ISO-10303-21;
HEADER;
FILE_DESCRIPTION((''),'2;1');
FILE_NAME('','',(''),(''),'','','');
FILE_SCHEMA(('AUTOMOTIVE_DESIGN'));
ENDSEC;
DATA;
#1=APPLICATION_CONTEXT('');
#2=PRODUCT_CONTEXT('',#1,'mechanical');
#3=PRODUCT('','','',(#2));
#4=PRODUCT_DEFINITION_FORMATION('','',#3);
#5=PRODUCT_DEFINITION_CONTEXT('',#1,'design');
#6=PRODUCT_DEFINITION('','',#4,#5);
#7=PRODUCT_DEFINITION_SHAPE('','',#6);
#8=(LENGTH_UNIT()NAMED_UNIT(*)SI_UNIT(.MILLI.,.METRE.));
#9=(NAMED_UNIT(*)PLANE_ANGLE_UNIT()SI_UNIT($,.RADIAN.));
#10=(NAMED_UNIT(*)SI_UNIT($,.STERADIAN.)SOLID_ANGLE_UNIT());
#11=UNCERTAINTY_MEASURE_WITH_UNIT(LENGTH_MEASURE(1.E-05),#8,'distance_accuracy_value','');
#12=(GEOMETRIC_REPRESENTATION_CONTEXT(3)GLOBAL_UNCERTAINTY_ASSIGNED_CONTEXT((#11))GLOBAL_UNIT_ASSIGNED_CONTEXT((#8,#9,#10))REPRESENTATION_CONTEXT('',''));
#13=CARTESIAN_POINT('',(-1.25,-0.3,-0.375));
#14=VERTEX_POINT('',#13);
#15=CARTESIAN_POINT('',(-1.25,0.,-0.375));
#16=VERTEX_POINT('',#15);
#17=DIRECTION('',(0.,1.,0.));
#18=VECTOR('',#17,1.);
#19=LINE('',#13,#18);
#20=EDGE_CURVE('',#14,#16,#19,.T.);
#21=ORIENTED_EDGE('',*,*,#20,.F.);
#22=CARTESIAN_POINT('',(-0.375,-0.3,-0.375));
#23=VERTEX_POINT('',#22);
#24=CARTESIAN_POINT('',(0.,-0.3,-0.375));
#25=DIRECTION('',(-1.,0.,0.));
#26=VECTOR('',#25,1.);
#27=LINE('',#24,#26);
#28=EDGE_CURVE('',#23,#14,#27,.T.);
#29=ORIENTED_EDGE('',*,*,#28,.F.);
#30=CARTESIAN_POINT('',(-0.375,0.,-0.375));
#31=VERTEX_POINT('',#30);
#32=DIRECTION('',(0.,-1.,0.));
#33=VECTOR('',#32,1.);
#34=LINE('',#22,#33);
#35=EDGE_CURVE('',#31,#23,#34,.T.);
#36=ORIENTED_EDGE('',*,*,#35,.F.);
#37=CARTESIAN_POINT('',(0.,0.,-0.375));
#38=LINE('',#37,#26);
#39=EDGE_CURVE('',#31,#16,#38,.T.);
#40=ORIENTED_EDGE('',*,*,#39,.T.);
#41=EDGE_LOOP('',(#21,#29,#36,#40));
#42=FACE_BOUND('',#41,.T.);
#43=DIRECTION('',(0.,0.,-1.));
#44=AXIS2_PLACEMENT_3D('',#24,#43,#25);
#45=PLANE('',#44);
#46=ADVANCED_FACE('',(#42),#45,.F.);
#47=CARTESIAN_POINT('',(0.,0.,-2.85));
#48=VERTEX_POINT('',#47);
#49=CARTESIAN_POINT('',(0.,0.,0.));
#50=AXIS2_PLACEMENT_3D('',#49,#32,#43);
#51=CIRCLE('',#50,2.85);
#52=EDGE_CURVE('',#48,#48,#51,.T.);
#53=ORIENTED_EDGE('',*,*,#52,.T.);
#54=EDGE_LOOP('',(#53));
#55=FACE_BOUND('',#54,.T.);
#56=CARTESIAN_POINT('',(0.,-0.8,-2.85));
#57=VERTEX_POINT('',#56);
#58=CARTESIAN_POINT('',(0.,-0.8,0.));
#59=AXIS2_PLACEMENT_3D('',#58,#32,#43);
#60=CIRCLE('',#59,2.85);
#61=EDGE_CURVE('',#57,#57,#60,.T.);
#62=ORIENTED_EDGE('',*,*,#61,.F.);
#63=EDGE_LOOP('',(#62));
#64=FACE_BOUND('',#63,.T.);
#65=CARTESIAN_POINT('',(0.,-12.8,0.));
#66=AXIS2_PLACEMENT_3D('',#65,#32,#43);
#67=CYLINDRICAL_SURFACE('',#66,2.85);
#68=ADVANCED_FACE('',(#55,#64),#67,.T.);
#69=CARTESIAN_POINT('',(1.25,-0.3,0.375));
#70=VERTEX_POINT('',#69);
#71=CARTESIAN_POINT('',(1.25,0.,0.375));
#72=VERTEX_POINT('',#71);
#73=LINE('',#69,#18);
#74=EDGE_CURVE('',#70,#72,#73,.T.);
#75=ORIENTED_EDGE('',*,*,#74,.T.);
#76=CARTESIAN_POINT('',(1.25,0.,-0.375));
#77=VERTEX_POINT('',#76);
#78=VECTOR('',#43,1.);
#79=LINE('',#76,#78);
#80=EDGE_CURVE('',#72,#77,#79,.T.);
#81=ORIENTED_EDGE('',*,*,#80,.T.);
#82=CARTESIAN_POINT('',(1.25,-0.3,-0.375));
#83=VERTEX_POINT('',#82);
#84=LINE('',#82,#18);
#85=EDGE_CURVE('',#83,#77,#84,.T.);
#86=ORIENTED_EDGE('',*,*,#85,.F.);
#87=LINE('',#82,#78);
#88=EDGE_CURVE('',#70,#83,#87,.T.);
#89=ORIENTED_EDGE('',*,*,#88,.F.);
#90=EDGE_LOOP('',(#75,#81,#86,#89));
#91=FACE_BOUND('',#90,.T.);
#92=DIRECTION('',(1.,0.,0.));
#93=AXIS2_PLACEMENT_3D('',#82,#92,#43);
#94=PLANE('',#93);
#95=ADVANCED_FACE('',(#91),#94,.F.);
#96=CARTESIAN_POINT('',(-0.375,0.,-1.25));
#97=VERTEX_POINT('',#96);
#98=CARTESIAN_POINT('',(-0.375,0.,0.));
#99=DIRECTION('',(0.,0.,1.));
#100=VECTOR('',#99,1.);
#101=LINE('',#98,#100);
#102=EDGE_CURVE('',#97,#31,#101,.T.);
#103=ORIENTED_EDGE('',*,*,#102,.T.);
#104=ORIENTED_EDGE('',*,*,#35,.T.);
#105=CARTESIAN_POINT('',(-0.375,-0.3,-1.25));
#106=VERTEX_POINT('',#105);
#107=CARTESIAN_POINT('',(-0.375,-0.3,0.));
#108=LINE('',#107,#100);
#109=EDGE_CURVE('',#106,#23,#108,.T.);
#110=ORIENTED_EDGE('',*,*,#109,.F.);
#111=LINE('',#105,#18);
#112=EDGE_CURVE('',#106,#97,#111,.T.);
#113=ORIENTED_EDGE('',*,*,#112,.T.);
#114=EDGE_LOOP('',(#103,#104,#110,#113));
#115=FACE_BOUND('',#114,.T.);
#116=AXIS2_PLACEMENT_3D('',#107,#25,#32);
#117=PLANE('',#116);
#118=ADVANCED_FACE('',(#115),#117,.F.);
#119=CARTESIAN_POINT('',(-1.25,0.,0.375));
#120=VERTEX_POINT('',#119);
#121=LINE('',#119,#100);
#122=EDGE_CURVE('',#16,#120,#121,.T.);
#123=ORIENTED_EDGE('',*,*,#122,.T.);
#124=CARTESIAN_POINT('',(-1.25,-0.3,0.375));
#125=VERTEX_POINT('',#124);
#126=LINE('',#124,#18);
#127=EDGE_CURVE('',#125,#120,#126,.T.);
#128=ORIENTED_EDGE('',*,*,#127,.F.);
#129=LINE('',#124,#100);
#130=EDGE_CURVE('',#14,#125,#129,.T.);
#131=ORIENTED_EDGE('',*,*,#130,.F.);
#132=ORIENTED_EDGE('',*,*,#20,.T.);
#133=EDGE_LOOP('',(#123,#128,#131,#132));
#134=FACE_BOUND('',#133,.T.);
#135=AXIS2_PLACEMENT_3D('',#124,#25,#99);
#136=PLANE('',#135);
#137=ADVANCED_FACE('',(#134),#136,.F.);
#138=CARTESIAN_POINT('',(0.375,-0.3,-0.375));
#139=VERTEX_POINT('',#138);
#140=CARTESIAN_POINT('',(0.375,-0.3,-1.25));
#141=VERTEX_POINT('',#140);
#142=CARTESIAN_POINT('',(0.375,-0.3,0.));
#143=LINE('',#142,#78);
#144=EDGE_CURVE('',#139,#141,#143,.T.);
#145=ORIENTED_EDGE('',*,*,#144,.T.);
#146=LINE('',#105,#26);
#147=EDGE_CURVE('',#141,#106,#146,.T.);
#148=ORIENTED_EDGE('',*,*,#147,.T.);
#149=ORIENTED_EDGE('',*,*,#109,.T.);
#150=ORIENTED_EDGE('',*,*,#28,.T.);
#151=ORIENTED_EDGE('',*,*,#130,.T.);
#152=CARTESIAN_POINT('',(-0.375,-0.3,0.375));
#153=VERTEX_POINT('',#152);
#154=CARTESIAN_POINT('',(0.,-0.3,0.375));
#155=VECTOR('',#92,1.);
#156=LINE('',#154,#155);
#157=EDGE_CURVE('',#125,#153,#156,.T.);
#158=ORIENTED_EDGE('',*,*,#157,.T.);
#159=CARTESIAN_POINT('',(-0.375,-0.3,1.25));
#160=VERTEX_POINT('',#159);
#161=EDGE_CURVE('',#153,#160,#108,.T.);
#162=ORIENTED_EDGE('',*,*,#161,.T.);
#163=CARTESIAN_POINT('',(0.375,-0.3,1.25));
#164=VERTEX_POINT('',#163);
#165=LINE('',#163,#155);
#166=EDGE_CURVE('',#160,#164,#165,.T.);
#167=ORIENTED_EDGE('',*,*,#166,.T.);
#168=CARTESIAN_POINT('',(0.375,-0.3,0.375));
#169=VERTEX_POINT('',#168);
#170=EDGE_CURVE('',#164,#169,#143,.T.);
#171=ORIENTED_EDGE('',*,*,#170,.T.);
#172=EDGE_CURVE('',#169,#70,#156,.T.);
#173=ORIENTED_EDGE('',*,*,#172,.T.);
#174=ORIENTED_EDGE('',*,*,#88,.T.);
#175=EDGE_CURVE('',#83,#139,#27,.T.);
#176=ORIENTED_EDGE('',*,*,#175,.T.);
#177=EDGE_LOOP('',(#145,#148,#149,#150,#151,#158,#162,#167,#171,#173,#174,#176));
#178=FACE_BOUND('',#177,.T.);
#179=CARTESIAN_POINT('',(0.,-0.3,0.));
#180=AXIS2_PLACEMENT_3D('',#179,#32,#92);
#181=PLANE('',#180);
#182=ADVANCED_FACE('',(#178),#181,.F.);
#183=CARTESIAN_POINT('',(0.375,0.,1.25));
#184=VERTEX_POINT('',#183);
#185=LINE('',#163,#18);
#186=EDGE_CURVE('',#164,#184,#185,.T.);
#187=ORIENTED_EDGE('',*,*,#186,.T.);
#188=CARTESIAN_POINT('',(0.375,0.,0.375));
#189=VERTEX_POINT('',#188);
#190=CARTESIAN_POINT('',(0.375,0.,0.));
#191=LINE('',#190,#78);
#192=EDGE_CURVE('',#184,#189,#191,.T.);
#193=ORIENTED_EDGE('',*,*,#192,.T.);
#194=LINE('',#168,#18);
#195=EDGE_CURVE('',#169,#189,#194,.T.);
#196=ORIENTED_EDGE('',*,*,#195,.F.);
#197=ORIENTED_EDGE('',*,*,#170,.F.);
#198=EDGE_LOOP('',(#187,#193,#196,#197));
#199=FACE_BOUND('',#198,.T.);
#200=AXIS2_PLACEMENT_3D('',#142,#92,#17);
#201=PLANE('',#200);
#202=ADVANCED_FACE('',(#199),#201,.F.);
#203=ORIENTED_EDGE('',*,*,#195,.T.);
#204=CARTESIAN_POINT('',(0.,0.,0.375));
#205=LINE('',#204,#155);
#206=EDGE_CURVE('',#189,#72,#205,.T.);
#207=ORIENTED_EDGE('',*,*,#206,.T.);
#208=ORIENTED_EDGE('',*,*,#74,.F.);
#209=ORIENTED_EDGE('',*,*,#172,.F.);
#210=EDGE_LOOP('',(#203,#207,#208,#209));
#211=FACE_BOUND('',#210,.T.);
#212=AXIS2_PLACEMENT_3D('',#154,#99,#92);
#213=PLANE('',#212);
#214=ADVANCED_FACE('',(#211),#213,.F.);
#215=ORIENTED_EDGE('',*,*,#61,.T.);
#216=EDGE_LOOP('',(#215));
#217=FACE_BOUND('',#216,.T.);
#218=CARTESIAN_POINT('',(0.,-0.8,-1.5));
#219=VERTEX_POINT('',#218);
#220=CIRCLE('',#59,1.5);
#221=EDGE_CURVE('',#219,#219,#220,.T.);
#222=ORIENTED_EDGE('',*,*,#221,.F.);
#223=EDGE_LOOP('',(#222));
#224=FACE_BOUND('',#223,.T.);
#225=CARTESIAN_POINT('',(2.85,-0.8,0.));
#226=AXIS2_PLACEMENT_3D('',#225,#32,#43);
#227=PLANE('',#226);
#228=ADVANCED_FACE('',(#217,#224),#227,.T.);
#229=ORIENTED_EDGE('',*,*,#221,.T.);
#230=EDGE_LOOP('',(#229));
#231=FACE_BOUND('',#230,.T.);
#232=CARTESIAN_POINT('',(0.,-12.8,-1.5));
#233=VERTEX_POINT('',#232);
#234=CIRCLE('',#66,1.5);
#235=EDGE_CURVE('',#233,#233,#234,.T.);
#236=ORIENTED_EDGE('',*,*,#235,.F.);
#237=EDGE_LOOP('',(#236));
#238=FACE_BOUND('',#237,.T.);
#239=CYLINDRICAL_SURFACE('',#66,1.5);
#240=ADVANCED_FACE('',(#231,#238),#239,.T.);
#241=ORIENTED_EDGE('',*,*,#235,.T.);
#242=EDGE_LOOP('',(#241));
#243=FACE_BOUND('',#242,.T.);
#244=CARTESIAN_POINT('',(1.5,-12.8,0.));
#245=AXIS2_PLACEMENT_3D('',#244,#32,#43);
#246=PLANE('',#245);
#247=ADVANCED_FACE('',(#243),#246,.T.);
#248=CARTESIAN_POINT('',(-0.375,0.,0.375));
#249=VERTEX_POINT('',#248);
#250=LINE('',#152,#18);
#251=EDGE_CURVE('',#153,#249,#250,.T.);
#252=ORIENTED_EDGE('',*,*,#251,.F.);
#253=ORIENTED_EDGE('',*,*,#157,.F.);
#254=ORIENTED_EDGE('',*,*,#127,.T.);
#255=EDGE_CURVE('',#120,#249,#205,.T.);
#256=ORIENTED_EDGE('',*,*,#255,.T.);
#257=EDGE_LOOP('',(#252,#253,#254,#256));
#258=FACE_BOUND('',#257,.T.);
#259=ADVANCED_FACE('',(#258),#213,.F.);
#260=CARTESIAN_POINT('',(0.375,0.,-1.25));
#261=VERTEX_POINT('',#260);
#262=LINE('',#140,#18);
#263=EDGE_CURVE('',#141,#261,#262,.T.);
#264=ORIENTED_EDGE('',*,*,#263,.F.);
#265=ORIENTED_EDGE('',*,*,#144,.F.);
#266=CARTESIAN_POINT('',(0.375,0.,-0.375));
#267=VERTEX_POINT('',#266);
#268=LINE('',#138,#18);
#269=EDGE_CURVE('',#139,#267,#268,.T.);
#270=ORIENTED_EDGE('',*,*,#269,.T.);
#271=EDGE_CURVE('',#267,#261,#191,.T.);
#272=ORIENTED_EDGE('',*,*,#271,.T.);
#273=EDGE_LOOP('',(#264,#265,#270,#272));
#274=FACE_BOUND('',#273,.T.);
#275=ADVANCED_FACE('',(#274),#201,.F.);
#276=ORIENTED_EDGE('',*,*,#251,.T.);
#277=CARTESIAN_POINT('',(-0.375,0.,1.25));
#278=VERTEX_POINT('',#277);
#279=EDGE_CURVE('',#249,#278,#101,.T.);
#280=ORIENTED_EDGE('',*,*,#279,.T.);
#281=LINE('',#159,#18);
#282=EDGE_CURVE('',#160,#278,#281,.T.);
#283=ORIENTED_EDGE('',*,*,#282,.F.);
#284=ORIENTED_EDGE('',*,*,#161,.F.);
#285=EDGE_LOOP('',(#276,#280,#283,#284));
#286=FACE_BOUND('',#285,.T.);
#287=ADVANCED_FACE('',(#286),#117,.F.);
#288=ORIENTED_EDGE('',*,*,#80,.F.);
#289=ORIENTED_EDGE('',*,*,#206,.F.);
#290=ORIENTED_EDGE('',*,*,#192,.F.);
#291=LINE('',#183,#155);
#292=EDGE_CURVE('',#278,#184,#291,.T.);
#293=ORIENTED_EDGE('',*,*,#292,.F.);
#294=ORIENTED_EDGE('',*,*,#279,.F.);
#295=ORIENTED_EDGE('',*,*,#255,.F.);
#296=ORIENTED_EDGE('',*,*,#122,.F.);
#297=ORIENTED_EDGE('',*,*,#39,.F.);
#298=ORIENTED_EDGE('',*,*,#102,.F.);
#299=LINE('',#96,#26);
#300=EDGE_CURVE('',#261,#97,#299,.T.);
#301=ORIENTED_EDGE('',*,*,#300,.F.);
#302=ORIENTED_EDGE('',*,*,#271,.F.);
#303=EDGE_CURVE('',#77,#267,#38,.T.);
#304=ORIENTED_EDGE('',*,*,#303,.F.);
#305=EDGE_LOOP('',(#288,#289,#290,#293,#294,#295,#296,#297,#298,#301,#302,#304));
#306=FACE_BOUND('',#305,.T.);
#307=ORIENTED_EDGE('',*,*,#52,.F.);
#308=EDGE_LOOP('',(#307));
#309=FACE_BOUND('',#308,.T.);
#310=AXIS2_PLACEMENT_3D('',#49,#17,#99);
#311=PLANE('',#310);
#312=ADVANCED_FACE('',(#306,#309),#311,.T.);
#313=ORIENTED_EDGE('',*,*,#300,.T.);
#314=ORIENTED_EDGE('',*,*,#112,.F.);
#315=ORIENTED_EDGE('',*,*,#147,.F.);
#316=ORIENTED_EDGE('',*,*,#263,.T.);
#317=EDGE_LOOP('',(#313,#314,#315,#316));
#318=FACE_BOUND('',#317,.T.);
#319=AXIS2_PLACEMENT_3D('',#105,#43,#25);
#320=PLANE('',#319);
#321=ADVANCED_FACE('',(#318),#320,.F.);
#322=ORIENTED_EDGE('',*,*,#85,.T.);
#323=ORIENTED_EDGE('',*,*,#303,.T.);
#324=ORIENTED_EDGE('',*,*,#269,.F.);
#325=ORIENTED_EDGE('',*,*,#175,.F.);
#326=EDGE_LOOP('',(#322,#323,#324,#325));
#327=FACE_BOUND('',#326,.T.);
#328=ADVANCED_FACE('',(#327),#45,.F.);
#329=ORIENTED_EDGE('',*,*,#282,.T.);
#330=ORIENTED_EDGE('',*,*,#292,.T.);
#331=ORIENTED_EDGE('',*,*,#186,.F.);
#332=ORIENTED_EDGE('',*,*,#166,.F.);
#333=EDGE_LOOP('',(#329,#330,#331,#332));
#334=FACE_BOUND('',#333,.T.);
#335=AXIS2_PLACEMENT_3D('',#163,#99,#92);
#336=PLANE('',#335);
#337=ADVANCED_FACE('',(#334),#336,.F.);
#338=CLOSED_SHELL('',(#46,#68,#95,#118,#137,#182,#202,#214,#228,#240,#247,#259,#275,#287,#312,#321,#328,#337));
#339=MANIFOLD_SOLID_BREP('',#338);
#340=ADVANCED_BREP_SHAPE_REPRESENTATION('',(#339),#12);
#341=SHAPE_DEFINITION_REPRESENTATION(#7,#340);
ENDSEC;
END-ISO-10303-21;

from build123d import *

# Parameters (mm, degrees)
SKETCH_2_W               = 0.75
SKETCH_2_H               = 1.25
CUT_EXTRUDE_1_DEPTH      = 0.3
PATTERN_CIRCULAR_1_COUNT = 4


with BuildPart() as part:
    # ｽｹｯﾁ1 → 回転1 (revolve)
    with BuildSketch(Plane.XY, mode=Mode.PRIVATE) as revolve_1_sk:
        Polygon((0, 0), (2.85, 0), (2.85, -0.8), (1.5, -0.8), (1.5, -12.8), (0, -12.8), align=None)
    revolve(revolve_1_sk.sketch.rotate(Axis((0, -12.8, 0), (0, 1, 0)), 90), axis=Axis((0, -12.8, 0), (0, 1, 0)))

    # ｽｹｯﾁ2 → ｶｯﾄ - 押し出し1 (cut)
    with BuildSketch(Plane(origin=(0, 0, 0), x_dir=(1, 0, 0), z_dir=(0, 1, 0))):
        with Locations((0, 0.625)):
            Rectangle(SKETCH_2_W, SKETCH_2_H)
    cut_extrude_1 = extrude(amount=-CUT_EXTRUDE_1_DEPTH, mode=Mode.SUBTRACT)

    # 円形ﾊﾟﾀｰﾝ1: ｶｯﾄ - 押し出し1 ×4 about axis
    pattern_circular_1_axis = Axis((0, 0, 0), (0, 1, 0))
    for i in range(1, PATTERN_CIRCULAR_1_COUNT):
        add(cut_extrude_1.rotate(pattern_circular_1_axis, i * 360 / PATTERN_CIRCULAR_1_COUNT), mode=Mode.SUBTRACT)


solid = part.part
